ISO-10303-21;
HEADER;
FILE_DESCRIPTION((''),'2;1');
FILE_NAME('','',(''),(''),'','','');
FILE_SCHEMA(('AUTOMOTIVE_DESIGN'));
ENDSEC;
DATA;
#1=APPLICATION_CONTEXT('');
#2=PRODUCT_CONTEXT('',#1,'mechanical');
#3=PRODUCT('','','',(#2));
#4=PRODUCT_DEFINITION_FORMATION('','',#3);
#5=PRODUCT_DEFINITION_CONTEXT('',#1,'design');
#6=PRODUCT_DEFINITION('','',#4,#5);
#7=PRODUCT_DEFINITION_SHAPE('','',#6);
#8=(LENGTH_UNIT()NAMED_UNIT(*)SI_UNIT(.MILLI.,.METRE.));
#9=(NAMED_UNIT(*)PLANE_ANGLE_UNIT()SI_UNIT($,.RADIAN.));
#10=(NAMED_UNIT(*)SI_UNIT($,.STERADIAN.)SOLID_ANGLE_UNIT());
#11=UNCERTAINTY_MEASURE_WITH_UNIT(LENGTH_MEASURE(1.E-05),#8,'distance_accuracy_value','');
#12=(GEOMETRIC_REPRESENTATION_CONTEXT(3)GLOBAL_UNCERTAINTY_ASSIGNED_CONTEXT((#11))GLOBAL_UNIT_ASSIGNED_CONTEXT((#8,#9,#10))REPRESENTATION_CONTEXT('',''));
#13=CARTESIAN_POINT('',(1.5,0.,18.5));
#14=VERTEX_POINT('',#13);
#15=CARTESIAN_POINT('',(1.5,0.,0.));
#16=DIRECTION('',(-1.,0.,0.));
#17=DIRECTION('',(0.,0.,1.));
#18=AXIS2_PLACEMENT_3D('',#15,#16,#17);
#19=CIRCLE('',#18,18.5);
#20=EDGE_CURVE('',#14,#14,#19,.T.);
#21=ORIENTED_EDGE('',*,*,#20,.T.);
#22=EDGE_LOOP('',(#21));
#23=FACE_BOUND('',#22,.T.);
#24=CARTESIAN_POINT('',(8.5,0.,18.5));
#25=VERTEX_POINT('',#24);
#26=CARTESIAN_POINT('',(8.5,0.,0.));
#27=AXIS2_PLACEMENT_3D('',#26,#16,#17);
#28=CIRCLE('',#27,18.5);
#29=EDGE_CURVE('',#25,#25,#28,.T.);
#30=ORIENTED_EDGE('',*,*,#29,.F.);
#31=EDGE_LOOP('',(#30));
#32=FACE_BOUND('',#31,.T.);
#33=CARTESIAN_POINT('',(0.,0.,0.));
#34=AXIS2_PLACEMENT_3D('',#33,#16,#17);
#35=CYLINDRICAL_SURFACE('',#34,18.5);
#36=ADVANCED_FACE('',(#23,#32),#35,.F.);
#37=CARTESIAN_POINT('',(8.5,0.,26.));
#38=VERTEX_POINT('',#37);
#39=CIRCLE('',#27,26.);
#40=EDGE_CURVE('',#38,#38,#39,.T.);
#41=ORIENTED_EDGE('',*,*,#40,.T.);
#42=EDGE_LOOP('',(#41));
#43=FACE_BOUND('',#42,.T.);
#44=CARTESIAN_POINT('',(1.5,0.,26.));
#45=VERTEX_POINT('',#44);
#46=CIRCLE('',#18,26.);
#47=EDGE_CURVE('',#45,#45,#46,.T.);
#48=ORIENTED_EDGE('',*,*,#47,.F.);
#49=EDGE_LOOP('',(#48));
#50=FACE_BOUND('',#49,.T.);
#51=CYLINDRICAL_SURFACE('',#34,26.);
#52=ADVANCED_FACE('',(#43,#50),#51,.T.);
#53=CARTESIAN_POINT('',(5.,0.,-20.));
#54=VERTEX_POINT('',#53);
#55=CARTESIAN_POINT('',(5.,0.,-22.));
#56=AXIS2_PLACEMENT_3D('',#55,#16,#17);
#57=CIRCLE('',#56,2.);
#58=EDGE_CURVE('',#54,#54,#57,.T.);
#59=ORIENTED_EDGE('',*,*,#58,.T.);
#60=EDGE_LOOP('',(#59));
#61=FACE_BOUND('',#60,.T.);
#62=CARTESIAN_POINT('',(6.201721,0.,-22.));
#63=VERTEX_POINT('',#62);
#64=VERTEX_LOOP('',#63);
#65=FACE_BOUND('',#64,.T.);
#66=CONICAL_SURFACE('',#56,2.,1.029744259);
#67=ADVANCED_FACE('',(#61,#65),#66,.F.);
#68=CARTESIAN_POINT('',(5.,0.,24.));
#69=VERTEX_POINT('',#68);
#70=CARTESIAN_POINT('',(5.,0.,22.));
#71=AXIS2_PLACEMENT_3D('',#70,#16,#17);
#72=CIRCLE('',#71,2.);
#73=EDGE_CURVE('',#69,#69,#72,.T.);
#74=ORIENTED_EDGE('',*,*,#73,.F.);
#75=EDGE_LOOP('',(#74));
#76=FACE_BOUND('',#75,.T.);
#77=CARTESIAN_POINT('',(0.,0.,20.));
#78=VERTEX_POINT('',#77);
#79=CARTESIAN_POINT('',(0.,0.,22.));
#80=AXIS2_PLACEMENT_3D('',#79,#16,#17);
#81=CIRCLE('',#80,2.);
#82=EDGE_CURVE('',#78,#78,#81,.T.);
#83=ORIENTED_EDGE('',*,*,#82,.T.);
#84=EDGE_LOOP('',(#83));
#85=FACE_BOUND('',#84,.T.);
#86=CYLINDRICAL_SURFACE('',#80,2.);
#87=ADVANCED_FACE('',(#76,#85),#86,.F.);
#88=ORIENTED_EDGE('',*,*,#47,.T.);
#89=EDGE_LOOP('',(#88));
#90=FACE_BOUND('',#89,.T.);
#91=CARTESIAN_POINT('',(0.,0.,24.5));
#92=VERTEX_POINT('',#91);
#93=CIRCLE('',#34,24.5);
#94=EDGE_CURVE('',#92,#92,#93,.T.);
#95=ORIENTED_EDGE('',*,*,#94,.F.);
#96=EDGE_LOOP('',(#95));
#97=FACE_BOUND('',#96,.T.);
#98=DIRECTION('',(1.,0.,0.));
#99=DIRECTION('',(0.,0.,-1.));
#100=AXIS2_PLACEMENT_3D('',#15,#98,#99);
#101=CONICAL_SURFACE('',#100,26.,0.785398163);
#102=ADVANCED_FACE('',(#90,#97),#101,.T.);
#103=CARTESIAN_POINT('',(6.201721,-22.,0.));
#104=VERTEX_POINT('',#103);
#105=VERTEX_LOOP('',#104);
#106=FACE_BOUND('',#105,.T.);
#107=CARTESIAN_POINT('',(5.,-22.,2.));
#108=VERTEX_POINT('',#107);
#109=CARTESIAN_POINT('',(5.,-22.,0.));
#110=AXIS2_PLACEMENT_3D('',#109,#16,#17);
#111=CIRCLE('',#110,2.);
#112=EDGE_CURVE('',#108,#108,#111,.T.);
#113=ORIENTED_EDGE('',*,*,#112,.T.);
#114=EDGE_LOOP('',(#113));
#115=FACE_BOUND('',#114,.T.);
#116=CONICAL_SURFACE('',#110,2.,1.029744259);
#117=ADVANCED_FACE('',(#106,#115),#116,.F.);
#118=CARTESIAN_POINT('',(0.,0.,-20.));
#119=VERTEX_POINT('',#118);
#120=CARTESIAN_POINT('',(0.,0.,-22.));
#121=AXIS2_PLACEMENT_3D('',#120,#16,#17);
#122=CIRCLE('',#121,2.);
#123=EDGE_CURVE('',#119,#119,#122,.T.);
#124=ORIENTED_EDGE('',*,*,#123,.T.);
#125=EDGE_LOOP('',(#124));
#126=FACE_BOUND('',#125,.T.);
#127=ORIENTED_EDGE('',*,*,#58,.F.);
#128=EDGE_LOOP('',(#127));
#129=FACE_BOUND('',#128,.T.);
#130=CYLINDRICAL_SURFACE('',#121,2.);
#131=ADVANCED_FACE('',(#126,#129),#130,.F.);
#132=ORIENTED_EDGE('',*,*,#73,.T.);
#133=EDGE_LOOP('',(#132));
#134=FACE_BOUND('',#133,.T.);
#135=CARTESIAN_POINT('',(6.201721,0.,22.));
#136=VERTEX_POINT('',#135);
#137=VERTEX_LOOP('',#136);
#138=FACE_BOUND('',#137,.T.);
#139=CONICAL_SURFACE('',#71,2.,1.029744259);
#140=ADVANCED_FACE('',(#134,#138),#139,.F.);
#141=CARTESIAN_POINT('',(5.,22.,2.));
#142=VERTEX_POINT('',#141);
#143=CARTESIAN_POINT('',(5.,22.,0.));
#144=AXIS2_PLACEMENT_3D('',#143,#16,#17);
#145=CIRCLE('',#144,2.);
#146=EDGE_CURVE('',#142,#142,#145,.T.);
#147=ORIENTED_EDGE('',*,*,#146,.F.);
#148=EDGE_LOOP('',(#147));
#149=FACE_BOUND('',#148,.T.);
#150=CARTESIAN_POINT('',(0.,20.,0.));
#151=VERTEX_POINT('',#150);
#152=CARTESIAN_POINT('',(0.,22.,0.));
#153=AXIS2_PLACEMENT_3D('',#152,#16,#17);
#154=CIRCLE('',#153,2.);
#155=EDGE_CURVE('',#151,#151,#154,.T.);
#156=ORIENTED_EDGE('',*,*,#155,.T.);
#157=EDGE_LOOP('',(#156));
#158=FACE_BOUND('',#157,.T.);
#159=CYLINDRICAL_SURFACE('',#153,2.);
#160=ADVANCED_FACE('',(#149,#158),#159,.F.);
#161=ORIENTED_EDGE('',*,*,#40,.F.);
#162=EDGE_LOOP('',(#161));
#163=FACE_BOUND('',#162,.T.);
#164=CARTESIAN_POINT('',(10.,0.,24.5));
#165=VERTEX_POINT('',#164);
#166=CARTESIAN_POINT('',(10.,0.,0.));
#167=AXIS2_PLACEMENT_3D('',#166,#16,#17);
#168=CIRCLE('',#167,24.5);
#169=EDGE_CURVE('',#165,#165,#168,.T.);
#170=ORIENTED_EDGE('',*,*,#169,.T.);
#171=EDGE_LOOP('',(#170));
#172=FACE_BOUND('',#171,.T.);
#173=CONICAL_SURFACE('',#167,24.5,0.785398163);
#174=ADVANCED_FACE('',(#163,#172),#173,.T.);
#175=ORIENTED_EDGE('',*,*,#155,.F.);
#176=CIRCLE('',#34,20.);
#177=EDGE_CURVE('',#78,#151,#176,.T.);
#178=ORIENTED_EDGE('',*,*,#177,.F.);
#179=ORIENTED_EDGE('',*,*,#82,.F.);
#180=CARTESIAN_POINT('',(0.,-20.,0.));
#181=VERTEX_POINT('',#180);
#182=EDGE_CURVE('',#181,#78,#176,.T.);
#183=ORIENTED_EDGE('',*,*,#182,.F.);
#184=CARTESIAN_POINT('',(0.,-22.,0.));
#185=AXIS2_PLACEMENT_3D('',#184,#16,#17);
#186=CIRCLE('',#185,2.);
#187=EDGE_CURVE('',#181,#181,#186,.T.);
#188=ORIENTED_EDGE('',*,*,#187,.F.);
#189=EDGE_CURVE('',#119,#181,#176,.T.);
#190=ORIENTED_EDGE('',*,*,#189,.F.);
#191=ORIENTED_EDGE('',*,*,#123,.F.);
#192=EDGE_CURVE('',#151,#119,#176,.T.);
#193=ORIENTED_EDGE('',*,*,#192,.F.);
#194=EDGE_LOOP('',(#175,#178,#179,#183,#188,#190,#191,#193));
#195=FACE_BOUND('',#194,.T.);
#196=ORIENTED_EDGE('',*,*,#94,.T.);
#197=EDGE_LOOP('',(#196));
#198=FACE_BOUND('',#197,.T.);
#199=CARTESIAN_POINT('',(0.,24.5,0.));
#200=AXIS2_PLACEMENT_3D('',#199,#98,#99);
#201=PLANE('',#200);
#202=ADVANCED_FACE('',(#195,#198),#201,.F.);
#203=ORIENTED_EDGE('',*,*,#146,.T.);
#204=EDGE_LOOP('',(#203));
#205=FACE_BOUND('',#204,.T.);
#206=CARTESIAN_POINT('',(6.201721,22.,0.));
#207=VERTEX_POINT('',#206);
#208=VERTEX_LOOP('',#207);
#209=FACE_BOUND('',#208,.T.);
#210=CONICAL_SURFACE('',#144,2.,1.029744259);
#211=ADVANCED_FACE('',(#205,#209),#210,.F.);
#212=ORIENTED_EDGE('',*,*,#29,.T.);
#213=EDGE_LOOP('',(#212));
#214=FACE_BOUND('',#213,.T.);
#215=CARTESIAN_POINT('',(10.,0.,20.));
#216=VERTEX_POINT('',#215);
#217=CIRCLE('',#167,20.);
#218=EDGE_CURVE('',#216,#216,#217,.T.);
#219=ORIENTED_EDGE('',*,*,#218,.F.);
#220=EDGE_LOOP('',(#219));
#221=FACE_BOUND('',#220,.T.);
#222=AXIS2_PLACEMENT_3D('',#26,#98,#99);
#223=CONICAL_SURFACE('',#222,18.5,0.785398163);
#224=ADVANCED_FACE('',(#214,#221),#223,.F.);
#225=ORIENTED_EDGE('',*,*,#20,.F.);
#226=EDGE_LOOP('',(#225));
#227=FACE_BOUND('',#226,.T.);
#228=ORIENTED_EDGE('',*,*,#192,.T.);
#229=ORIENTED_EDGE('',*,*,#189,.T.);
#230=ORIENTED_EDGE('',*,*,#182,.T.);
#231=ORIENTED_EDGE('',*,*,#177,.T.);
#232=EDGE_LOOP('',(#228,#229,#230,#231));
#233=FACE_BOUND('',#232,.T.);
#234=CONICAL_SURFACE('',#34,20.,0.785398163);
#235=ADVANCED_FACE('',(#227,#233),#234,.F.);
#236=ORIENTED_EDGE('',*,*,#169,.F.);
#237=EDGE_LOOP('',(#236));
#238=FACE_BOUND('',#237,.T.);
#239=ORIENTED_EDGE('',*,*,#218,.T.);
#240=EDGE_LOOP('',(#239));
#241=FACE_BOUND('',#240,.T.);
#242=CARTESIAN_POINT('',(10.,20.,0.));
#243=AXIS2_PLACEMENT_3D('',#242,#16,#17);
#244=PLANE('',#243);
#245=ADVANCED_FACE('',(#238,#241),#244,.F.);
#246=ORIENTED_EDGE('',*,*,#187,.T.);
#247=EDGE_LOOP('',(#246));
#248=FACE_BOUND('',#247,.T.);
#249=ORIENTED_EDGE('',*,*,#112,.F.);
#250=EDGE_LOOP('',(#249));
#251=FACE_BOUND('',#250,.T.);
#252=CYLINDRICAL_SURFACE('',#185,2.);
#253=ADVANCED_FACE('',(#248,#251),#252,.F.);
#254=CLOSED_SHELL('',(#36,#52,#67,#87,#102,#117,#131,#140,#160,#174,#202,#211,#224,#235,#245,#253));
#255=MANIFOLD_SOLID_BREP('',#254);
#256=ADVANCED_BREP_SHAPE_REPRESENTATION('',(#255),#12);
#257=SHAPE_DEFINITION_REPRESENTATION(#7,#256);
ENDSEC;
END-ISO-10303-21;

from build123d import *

# Parameters (mm, degrees)
HOLE_WIZARD_4_0_2_D     = 4
HOLE_WIZARD_4_0_2_DEPTH = 5
HOLE_WIZARD_4_0_2_TIP   = 1.201721238


with BuildPart() as part:
    # Эскиз1 → Повернуть1 (revolve)
    with BuildSketch(Plane.XY):
        Polygon((1.5, 18.5), (8.5, 18.5), (10, 20), (10, 24.5), (8.5, 26), (1.5, 26), (0, 24.5), (0, 20), align=None)
    revolve(axis=Axis((0, 0, 0), (1, 0, 0)))

    # Отверстия под штифты Ø4.0 мм2
    with Locations(Plane.ZY):
        with Locations((-22, 0), (0, 22), (22, 0), (0, -22)):
            Hole(HOLE_WIZARD_4_0_2_D / 2, depth=HOLE_WIZARD_4_0_2_DEPTH)
            with Locations((0, 0, -(HOLE_WIZARD_4_0_2_DEPTH + HOLE_WIZARD_4_0_2_TIP / 2))):  # 118° drill point
                Cone(0, HOLE_WIZARD_4_0_2_D / 2, HOLE_WIZARD_4_0_2_TIP, mode=Mode.SUBTRACT)


solid = part.part
